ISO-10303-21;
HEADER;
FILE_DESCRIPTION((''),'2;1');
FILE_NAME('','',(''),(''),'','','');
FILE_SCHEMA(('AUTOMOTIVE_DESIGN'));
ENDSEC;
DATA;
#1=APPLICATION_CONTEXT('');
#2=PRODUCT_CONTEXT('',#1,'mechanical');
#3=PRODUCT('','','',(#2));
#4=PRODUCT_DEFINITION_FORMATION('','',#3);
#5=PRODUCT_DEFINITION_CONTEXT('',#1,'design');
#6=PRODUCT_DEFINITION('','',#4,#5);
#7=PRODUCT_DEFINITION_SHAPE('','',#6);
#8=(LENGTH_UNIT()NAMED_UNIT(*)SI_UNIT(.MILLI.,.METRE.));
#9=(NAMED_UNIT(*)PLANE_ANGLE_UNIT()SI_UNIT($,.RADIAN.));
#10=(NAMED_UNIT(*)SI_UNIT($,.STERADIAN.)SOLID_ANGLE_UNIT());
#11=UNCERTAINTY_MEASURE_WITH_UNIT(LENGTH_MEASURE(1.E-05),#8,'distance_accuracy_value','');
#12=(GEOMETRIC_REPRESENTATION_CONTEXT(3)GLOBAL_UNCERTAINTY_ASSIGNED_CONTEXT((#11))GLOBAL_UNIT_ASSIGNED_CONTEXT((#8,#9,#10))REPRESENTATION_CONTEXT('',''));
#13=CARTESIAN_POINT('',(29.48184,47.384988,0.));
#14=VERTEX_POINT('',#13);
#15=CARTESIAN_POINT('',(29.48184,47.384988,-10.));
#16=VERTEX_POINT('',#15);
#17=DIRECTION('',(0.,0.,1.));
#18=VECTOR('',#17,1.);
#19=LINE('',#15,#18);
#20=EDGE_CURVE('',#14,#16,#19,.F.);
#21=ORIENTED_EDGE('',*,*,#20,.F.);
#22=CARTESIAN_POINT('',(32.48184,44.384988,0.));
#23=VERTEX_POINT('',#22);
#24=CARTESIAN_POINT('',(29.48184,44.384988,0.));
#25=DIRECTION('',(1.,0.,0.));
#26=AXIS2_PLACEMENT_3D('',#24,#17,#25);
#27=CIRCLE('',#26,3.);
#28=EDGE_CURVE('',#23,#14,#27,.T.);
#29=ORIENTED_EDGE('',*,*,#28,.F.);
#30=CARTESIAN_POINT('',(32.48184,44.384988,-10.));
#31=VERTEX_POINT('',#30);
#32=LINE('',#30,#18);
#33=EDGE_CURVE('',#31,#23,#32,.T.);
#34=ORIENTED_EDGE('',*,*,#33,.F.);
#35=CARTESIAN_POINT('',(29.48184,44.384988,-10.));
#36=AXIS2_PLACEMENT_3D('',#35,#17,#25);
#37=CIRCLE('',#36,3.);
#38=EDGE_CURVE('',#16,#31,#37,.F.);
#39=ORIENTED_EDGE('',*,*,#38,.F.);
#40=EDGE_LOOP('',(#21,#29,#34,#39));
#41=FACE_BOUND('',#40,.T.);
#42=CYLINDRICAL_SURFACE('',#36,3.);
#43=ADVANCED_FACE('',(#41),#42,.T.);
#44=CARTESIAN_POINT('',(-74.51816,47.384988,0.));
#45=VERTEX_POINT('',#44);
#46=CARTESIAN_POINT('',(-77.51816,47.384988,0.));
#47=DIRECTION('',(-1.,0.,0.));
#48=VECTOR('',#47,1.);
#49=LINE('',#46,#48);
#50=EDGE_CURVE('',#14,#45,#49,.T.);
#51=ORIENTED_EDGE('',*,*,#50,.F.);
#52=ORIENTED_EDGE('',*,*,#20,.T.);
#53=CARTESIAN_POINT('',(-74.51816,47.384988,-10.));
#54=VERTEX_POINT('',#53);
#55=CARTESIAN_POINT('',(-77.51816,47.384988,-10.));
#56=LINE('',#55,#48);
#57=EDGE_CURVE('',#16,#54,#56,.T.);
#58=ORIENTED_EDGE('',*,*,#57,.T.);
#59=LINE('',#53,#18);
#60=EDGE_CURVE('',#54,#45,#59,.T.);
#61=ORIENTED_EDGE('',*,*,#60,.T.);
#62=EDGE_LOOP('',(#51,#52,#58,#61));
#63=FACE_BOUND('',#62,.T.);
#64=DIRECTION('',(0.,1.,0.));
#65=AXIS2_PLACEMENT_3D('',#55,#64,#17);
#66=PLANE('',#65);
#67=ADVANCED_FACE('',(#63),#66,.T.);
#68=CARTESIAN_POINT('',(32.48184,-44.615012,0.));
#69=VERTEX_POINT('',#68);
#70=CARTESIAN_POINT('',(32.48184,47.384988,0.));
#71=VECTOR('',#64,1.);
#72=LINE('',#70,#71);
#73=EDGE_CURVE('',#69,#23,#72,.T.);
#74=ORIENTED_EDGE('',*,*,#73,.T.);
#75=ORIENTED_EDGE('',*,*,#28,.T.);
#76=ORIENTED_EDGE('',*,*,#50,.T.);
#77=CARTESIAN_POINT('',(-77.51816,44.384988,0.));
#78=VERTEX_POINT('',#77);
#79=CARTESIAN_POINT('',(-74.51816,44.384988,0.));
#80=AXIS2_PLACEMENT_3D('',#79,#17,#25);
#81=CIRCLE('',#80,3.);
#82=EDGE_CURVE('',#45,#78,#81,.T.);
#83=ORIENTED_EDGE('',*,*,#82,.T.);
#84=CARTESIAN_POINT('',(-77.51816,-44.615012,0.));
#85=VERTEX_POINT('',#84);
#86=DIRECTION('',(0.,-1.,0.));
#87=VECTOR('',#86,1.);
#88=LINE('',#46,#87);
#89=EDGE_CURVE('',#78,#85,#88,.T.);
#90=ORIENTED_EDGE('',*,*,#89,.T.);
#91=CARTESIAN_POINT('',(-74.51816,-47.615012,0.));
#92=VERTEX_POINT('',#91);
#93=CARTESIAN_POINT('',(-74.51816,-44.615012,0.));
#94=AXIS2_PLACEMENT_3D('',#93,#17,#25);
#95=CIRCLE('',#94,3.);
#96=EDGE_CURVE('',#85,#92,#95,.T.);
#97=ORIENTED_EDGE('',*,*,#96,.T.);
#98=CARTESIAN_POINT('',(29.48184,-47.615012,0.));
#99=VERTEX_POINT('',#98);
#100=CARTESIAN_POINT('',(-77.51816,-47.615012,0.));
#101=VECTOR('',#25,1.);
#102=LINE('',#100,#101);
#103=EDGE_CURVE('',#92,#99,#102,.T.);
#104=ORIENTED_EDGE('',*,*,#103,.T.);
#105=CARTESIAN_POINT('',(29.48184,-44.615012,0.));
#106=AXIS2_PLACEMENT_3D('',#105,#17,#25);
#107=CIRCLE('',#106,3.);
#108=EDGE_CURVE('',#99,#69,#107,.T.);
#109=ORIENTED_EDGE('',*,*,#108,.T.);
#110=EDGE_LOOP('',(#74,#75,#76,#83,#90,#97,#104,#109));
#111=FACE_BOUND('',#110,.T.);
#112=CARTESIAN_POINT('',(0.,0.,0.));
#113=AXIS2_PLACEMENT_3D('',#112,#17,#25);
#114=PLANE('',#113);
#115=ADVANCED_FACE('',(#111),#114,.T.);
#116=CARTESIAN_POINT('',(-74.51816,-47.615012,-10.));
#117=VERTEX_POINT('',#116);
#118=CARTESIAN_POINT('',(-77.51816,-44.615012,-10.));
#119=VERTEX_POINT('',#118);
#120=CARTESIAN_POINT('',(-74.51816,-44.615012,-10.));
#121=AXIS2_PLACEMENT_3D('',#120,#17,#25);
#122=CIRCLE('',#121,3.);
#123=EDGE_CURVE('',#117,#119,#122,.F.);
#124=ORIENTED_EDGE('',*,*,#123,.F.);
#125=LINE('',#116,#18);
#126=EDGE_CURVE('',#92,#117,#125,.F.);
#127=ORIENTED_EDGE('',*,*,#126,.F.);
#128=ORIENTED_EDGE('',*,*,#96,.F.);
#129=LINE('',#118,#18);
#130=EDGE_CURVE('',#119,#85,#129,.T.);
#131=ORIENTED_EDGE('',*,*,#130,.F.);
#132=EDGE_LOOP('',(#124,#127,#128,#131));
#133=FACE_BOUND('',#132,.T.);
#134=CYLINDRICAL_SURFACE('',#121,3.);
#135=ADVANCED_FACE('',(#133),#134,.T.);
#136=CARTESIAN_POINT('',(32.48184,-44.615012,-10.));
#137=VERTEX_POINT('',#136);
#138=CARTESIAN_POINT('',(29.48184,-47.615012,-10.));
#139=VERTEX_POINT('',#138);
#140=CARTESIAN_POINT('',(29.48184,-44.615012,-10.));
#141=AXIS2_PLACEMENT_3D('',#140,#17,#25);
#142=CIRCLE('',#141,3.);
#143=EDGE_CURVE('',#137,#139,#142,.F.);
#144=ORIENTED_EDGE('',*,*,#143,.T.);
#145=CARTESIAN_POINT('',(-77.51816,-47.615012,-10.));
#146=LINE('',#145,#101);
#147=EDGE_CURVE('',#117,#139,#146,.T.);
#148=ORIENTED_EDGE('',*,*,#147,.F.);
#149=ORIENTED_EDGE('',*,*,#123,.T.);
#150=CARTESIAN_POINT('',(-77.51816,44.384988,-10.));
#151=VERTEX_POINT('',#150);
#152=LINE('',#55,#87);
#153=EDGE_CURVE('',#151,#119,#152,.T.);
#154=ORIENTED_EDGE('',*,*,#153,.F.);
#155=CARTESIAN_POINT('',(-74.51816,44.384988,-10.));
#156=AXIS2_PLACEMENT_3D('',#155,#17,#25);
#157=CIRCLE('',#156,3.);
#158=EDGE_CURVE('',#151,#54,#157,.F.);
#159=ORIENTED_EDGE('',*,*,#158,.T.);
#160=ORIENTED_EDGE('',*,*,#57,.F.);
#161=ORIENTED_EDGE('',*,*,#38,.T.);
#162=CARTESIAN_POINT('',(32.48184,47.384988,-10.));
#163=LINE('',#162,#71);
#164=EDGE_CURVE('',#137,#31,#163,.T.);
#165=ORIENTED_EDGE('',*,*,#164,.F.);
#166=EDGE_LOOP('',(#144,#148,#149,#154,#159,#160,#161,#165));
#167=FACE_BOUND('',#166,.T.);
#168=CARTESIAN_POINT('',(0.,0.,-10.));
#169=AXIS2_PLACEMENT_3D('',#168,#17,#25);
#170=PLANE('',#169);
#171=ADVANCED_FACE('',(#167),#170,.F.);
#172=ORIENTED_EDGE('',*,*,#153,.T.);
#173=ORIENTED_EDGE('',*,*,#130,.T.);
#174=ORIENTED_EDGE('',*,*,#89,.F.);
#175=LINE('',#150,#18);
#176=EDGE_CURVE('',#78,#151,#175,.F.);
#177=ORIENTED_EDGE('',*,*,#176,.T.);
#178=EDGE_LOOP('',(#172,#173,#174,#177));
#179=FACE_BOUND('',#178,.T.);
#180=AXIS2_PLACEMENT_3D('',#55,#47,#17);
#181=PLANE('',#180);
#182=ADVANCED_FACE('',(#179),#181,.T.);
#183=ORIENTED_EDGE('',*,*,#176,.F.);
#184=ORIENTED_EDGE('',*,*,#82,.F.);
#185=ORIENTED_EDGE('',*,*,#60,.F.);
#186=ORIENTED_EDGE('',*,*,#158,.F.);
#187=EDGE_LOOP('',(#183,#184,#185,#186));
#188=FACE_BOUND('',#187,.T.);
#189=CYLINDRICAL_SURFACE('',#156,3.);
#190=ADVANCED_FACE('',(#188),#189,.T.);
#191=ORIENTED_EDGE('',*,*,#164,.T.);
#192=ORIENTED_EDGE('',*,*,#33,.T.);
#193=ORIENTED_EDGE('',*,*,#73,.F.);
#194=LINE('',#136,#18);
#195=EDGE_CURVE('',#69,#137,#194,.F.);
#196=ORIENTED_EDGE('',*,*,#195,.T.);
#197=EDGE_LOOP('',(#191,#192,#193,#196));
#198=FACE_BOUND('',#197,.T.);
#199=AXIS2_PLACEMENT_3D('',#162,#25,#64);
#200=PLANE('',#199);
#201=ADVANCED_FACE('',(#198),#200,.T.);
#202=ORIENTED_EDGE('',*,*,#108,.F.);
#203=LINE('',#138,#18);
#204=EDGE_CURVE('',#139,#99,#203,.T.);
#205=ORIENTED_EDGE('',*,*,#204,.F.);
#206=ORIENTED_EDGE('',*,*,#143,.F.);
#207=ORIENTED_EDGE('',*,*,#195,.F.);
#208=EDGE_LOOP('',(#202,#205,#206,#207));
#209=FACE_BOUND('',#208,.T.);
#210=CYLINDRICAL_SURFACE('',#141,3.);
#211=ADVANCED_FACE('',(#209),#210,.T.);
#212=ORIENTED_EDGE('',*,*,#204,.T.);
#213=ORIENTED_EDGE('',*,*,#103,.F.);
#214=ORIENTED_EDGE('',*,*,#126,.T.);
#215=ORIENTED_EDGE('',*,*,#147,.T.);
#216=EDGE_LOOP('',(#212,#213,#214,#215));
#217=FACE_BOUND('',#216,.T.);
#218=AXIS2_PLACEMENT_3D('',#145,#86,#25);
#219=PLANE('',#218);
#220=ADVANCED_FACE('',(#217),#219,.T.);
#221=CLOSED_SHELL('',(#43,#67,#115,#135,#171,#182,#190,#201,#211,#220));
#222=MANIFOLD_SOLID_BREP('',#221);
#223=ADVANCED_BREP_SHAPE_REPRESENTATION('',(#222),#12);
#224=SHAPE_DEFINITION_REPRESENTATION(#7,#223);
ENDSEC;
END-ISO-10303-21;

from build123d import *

# Parameters (mm, degrees)
SKETCH1_W           = 110
SKETCH1_H           = 95
BOSS_EXTRUDE2_DEPTH = 10
FILLET1_R           = 3


with BuildPart() as part:
    # Sketch1 → Boss-Extrude2 (new body)
    with BuildSketch(Plane.XY):
        with Locations((-22.518159806, -0.115012107)):
            Rectangle(SKETCH1_W, SKETCH1_H)
    extrude(amount=-BOSS_EXTRUDE2_DEPTH)

    # Fillet1
    fillet1_edges = [part.edges().sort_by_distance(p)[0] for p in [
        (-77.518159806, 47.384987893, -5),
        (32.481840194, 47.384987893, -5),
        (32.481840194, -47.615012107, -5),
        (-77.518159806, -47.615012107, -5),
    ]]
    fillet(fillet1_edges, radius=FILLET1_R)


solid = part.part
